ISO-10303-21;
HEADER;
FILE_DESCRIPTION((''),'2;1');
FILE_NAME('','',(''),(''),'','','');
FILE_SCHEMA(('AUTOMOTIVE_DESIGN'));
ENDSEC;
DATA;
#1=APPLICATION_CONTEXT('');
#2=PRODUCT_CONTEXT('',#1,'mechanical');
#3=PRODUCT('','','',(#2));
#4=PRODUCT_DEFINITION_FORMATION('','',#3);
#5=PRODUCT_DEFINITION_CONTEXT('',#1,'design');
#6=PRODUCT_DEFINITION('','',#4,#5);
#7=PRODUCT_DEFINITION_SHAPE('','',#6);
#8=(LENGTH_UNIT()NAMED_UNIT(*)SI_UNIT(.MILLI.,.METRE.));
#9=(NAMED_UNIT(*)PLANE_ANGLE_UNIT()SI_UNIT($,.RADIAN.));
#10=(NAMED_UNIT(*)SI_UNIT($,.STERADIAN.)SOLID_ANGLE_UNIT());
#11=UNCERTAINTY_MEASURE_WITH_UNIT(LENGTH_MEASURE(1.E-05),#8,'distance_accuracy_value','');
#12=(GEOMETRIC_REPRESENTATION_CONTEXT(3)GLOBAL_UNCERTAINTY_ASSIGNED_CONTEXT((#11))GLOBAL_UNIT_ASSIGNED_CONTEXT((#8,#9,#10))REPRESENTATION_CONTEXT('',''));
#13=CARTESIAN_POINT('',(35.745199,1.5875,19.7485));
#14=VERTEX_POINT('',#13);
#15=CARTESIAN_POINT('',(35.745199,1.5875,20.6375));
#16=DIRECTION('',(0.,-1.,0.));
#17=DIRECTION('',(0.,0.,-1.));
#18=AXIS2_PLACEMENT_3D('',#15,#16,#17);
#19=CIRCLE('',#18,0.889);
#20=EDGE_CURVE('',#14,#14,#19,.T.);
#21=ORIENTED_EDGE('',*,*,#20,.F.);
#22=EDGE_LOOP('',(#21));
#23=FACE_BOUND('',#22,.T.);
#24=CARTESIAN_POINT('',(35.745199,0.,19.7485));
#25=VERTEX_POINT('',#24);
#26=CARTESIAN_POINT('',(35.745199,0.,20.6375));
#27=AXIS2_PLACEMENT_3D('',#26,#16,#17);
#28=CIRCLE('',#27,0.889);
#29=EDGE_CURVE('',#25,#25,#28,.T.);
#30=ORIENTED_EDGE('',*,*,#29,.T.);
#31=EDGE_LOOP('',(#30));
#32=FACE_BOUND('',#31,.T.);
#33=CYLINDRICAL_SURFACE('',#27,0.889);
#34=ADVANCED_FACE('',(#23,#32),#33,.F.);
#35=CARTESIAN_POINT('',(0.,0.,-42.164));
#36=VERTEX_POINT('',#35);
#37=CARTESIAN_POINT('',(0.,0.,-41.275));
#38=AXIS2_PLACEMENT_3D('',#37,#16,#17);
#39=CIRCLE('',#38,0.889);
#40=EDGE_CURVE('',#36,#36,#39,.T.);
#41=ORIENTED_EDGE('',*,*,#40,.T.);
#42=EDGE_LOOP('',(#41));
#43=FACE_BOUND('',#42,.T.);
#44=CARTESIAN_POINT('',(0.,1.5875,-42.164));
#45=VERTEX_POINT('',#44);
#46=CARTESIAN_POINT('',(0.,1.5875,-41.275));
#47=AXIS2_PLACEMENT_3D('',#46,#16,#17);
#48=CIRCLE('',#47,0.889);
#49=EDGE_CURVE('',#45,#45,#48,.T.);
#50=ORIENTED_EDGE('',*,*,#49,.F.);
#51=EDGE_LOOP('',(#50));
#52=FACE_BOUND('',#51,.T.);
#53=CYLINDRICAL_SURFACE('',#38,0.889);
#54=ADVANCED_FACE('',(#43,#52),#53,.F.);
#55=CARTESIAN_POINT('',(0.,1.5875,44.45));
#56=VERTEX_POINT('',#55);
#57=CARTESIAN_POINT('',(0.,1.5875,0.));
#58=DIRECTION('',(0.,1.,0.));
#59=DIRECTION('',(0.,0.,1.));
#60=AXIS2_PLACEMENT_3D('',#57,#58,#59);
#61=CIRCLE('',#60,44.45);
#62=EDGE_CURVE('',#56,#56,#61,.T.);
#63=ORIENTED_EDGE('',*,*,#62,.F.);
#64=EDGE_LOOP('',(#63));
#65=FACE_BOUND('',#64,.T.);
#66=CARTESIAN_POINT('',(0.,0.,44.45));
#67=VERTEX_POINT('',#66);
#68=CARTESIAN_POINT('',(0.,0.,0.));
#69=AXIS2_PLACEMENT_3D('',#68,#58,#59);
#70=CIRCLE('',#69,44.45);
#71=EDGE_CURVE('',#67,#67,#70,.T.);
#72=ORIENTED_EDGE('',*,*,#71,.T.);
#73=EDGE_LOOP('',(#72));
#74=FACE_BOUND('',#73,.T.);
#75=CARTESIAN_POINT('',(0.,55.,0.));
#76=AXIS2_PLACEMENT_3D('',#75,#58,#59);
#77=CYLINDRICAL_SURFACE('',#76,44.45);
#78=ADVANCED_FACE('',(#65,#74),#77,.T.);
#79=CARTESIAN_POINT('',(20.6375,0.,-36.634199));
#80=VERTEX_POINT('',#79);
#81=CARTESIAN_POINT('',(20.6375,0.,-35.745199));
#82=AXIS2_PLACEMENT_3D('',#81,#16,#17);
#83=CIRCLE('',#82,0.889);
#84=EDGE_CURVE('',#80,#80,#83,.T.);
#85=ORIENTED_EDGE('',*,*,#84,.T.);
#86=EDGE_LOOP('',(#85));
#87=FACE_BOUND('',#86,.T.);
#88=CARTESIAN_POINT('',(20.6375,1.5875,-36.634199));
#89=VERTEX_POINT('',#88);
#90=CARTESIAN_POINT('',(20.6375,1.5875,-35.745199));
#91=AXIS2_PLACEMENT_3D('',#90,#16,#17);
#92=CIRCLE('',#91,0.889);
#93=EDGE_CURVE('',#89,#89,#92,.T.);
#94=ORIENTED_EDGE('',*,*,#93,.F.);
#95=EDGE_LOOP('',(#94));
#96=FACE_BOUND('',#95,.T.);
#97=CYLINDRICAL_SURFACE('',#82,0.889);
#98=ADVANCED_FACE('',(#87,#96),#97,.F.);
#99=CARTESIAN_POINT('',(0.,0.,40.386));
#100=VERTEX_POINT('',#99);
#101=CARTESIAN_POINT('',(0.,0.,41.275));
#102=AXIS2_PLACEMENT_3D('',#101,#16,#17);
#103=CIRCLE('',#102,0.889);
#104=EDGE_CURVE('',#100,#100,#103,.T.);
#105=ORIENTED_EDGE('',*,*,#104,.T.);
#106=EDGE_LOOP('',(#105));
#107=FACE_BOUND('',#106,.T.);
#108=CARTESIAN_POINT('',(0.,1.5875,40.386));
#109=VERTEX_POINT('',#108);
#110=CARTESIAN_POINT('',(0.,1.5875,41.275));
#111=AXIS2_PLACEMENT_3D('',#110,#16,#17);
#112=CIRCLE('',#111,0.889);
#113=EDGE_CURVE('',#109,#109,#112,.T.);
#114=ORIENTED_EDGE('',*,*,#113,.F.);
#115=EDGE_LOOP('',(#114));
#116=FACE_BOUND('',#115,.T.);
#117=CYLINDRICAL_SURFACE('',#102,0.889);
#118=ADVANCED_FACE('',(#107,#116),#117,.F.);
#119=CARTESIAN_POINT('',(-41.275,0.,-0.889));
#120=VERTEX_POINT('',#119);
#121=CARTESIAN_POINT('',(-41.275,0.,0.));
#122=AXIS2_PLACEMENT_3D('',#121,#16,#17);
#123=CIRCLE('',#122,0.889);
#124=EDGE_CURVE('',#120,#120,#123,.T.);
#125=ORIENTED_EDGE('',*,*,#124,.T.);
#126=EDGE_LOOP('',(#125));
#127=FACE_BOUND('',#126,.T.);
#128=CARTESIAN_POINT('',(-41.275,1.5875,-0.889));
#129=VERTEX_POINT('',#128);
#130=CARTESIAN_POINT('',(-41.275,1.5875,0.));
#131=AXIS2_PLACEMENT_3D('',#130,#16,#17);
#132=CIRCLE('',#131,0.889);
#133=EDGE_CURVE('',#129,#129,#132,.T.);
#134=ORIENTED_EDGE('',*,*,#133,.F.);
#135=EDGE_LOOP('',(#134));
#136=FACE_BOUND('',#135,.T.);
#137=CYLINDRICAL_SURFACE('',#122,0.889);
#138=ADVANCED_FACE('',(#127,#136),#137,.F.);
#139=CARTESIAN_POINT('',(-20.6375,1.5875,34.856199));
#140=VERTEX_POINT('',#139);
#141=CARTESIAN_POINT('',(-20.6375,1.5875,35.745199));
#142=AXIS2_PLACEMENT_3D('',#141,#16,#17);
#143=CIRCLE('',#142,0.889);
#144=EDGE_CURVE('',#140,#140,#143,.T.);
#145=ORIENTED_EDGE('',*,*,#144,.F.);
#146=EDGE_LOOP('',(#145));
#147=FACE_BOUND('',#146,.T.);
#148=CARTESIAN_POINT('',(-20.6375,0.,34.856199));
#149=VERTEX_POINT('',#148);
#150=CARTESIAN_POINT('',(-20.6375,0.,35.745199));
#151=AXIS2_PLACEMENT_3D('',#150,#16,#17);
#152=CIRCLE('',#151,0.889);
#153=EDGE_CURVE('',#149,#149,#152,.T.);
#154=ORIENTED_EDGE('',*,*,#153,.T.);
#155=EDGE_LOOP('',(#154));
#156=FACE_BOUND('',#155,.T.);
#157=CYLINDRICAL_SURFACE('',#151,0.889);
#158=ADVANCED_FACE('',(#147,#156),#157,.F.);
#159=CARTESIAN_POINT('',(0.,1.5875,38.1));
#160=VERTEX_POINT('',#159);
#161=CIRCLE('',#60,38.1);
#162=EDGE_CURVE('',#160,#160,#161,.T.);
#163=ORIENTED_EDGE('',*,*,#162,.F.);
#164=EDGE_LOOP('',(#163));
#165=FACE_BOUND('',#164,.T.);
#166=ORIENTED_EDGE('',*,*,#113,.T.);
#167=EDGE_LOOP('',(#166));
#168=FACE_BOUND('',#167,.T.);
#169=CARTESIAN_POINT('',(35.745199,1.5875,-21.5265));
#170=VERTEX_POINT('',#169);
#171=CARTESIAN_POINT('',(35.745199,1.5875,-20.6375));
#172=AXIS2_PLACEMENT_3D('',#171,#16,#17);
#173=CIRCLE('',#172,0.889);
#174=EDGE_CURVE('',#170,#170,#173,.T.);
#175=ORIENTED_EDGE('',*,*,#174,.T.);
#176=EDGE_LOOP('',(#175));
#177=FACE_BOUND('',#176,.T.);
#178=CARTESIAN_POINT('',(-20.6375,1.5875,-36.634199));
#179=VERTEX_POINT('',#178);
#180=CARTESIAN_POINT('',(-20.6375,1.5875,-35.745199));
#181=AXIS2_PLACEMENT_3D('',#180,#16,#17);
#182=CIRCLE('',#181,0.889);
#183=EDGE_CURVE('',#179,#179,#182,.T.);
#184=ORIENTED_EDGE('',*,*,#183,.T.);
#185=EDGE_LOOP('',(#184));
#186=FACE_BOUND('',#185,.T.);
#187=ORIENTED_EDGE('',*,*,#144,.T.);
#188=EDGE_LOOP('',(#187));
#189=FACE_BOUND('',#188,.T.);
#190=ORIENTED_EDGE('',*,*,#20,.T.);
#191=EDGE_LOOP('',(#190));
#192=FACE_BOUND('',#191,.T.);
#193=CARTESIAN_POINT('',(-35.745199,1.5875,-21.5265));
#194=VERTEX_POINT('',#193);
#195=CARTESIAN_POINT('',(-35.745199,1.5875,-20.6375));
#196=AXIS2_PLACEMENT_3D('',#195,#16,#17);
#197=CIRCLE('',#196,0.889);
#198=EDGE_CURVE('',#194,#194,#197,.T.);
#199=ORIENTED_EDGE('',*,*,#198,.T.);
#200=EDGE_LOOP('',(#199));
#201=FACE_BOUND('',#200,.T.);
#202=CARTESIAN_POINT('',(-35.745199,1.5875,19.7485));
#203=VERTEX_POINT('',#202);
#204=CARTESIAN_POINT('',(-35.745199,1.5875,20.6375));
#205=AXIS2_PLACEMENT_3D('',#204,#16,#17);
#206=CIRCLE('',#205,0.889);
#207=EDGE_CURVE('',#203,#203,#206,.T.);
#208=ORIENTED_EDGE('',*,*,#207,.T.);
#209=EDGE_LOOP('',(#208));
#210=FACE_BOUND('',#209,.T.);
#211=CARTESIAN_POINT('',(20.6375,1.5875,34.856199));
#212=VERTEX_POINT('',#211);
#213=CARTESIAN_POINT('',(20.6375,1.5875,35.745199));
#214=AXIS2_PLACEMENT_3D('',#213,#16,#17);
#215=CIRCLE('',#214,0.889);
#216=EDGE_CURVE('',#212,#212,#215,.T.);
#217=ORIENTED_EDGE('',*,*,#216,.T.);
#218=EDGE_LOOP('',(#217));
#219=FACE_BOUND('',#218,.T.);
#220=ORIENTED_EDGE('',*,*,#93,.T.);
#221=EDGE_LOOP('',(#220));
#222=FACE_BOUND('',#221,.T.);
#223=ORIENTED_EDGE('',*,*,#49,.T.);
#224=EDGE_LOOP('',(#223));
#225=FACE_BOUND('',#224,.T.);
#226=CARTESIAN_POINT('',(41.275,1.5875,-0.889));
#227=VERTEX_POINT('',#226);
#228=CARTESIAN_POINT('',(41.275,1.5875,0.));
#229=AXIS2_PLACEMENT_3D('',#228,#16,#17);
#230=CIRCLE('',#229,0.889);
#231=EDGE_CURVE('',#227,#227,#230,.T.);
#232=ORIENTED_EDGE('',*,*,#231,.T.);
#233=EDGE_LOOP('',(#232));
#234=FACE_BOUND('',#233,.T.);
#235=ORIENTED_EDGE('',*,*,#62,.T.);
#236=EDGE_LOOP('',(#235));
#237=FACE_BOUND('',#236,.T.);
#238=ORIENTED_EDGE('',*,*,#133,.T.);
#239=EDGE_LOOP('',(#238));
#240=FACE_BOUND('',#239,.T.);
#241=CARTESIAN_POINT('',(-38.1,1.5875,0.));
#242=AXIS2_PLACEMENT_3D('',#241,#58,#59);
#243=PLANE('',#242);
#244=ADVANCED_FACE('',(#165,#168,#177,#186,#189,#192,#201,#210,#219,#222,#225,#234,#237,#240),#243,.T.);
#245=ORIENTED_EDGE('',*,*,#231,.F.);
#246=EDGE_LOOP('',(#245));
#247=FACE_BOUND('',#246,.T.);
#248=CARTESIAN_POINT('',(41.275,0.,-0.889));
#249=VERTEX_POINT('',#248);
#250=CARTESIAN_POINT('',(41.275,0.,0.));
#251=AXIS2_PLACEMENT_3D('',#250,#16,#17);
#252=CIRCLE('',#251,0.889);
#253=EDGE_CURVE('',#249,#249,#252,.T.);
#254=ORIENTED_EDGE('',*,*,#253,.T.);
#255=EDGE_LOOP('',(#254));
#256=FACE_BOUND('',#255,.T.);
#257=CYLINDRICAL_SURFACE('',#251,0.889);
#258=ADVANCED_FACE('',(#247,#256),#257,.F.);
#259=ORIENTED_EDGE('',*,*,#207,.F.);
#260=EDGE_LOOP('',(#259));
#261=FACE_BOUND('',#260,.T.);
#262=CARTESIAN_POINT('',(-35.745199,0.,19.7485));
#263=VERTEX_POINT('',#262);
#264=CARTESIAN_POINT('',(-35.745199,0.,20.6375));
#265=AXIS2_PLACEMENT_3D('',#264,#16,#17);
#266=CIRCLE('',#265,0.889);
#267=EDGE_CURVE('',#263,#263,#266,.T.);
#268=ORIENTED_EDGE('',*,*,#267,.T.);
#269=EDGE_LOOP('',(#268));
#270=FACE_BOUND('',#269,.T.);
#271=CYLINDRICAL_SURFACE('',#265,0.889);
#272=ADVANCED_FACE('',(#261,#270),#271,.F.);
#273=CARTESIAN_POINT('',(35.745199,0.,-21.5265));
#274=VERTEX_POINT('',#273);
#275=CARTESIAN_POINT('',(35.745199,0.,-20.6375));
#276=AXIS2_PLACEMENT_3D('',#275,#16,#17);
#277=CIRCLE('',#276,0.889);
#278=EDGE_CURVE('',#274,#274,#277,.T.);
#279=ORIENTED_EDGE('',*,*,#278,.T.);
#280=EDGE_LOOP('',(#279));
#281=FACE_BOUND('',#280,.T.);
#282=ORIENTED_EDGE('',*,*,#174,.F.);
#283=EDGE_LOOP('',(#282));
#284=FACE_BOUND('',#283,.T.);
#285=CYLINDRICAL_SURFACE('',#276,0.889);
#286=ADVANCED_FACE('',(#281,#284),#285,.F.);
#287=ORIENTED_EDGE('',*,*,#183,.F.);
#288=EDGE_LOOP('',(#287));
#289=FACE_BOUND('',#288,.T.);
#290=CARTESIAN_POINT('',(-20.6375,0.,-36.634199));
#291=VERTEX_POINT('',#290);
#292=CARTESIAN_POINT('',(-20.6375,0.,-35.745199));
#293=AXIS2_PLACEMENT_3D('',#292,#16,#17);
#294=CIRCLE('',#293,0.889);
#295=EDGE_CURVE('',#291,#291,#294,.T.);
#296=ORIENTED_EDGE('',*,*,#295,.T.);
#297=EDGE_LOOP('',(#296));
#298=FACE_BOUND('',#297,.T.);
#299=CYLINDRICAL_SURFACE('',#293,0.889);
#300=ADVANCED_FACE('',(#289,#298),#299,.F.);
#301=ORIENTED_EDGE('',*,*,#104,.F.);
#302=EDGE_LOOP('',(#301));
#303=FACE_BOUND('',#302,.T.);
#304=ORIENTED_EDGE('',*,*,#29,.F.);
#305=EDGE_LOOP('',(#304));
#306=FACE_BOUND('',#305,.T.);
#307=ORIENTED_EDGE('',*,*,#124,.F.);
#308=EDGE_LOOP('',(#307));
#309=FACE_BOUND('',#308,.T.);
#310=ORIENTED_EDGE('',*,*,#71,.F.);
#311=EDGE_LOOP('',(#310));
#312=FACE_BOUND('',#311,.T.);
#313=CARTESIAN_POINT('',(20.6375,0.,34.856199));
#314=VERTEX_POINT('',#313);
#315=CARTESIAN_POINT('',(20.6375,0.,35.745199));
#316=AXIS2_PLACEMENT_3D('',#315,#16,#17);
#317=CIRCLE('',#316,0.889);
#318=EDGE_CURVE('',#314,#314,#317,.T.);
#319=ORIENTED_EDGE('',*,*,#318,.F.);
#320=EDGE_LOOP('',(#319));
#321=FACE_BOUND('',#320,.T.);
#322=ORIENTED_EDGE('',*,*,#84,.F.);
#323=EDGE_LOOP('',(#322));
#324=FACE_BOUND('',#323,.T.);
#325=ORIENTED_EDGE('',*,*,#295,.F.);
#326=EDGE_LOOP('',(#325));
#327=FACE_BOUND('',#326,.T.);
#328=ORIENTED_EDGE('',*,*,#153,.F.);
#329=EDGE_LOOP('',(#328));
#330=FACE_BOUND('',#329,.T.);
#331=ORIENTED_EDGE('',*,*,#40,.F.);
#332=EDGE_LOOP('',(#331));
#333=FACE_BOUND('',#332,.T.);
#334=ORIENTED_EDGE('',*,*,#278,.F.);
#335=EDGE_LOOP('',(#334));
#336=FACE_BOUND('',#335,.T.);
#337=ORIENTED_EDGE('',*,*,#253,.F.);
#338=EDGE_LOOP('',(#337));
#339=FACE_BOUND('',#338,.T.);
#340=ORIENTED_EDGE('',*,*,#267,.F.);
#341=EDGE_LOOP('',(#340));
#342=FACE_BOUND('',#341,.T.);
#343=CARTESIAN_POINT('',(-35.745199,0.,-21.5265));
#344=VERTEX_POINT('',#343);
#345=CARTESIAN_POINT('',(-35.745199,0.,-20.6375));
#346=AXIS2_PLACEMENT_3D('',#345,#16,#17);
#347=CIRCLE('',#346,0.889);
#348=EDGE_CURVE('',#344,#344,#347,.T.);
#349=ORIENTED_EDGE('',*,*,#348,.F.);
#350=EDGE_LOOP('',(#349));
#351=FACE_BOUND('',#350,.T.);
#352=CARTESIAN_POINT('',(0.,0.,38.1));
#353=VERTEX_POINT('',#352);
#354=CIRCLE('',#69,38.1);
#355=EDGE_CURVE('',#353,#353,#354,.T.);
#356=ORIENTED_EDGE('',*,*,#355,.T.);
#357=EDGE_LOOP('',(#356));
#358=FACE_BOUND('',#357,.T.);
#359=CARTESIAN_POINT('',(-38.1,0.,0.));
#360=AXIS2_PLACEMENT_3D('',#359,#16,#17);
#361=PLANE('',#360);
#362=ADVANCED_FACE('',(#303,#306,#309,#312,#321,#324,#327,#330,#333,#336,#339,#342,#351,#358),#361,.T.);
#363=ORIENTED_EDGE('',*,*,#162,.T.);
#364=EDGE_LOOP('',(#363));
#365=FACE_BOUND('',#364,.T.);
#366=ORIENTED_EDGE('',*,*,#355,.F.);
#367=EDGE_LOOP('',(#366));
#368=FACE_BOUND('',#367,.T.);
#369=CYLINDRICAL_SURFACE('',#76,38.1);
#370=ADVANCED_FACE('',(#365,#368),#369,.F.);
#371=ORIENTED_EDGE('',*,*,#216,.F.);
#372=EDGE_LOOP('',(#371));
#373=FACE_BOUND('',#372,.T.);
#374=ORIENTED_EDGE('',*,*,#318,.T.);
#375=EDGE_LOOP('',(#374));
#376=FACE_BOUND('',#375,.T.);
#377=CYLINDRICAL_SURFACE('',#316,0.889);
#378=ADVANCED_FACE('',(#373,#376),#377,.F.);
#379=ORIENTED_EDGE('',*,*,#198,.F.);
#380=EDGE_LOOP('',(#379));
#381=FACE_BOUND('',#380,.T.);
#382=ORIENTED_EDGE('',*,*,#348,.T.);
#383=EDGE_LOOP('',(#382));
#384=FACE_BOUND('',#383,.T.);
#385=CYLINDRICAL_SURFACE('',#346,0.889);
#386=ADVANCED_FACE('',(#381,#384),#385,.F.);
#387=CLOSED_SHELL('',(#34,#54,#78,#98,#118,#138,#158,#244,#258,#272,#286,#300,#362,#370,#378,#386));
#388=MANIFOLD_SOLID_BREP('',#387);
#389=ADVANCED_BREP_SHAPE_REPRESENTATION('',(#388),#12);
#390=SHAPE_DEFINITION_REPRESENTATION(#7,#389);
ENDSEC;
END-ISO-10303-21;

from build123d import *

# Parameters (mm, degrees)
SKETCH1_W                  = 6.35
SKETCH1_H                  = 1.5875
F_50_0_07_DIAMETER_HOLE1_D = 1.778
SCREW_PASSTHROUGHS_COUNT   = 12


with BuildPart() as part:
    # Sketch1 → Main (revolve)
    with BuildSketch(Plane.XY):
        with Locations((-41.275, 0.79375)):
            Rectangle(SKETCH1_W, SKETCH1_H)
    revolve(axis=Axis((0, 55, 0), (0, -1, 0)))

    # #50 (0.07) Diameter Hole1 (through all)
    with Locations(Plane(origin=(0, 0, 0), x_dir=(-1, 0, 0), z_dir=(0, -1, 0))):
        with Locations((41.275, 0)):
            f_50_0_07_diameter_hole1 = Hole(F_50_0_07_DIAMETER_HOLE1_D / 2)

    # Screw Passthroughs: #50 (0.07) Diameter Hole1 ×12 about axis
    screw_passthroughs_axis = Axis((0, 0, 0), (0, 1, 0))
    for i in range(1, SCREW_PASSTHROUGHS_COUNT):
        add(f_50_0_07_diameter_hole1.rotate(screw_passthroughs_axis, i * 360 / SCREW_PASSTHROUGHS_COUNT), mode=Mode.SUBTRACT)


solid = part.part
